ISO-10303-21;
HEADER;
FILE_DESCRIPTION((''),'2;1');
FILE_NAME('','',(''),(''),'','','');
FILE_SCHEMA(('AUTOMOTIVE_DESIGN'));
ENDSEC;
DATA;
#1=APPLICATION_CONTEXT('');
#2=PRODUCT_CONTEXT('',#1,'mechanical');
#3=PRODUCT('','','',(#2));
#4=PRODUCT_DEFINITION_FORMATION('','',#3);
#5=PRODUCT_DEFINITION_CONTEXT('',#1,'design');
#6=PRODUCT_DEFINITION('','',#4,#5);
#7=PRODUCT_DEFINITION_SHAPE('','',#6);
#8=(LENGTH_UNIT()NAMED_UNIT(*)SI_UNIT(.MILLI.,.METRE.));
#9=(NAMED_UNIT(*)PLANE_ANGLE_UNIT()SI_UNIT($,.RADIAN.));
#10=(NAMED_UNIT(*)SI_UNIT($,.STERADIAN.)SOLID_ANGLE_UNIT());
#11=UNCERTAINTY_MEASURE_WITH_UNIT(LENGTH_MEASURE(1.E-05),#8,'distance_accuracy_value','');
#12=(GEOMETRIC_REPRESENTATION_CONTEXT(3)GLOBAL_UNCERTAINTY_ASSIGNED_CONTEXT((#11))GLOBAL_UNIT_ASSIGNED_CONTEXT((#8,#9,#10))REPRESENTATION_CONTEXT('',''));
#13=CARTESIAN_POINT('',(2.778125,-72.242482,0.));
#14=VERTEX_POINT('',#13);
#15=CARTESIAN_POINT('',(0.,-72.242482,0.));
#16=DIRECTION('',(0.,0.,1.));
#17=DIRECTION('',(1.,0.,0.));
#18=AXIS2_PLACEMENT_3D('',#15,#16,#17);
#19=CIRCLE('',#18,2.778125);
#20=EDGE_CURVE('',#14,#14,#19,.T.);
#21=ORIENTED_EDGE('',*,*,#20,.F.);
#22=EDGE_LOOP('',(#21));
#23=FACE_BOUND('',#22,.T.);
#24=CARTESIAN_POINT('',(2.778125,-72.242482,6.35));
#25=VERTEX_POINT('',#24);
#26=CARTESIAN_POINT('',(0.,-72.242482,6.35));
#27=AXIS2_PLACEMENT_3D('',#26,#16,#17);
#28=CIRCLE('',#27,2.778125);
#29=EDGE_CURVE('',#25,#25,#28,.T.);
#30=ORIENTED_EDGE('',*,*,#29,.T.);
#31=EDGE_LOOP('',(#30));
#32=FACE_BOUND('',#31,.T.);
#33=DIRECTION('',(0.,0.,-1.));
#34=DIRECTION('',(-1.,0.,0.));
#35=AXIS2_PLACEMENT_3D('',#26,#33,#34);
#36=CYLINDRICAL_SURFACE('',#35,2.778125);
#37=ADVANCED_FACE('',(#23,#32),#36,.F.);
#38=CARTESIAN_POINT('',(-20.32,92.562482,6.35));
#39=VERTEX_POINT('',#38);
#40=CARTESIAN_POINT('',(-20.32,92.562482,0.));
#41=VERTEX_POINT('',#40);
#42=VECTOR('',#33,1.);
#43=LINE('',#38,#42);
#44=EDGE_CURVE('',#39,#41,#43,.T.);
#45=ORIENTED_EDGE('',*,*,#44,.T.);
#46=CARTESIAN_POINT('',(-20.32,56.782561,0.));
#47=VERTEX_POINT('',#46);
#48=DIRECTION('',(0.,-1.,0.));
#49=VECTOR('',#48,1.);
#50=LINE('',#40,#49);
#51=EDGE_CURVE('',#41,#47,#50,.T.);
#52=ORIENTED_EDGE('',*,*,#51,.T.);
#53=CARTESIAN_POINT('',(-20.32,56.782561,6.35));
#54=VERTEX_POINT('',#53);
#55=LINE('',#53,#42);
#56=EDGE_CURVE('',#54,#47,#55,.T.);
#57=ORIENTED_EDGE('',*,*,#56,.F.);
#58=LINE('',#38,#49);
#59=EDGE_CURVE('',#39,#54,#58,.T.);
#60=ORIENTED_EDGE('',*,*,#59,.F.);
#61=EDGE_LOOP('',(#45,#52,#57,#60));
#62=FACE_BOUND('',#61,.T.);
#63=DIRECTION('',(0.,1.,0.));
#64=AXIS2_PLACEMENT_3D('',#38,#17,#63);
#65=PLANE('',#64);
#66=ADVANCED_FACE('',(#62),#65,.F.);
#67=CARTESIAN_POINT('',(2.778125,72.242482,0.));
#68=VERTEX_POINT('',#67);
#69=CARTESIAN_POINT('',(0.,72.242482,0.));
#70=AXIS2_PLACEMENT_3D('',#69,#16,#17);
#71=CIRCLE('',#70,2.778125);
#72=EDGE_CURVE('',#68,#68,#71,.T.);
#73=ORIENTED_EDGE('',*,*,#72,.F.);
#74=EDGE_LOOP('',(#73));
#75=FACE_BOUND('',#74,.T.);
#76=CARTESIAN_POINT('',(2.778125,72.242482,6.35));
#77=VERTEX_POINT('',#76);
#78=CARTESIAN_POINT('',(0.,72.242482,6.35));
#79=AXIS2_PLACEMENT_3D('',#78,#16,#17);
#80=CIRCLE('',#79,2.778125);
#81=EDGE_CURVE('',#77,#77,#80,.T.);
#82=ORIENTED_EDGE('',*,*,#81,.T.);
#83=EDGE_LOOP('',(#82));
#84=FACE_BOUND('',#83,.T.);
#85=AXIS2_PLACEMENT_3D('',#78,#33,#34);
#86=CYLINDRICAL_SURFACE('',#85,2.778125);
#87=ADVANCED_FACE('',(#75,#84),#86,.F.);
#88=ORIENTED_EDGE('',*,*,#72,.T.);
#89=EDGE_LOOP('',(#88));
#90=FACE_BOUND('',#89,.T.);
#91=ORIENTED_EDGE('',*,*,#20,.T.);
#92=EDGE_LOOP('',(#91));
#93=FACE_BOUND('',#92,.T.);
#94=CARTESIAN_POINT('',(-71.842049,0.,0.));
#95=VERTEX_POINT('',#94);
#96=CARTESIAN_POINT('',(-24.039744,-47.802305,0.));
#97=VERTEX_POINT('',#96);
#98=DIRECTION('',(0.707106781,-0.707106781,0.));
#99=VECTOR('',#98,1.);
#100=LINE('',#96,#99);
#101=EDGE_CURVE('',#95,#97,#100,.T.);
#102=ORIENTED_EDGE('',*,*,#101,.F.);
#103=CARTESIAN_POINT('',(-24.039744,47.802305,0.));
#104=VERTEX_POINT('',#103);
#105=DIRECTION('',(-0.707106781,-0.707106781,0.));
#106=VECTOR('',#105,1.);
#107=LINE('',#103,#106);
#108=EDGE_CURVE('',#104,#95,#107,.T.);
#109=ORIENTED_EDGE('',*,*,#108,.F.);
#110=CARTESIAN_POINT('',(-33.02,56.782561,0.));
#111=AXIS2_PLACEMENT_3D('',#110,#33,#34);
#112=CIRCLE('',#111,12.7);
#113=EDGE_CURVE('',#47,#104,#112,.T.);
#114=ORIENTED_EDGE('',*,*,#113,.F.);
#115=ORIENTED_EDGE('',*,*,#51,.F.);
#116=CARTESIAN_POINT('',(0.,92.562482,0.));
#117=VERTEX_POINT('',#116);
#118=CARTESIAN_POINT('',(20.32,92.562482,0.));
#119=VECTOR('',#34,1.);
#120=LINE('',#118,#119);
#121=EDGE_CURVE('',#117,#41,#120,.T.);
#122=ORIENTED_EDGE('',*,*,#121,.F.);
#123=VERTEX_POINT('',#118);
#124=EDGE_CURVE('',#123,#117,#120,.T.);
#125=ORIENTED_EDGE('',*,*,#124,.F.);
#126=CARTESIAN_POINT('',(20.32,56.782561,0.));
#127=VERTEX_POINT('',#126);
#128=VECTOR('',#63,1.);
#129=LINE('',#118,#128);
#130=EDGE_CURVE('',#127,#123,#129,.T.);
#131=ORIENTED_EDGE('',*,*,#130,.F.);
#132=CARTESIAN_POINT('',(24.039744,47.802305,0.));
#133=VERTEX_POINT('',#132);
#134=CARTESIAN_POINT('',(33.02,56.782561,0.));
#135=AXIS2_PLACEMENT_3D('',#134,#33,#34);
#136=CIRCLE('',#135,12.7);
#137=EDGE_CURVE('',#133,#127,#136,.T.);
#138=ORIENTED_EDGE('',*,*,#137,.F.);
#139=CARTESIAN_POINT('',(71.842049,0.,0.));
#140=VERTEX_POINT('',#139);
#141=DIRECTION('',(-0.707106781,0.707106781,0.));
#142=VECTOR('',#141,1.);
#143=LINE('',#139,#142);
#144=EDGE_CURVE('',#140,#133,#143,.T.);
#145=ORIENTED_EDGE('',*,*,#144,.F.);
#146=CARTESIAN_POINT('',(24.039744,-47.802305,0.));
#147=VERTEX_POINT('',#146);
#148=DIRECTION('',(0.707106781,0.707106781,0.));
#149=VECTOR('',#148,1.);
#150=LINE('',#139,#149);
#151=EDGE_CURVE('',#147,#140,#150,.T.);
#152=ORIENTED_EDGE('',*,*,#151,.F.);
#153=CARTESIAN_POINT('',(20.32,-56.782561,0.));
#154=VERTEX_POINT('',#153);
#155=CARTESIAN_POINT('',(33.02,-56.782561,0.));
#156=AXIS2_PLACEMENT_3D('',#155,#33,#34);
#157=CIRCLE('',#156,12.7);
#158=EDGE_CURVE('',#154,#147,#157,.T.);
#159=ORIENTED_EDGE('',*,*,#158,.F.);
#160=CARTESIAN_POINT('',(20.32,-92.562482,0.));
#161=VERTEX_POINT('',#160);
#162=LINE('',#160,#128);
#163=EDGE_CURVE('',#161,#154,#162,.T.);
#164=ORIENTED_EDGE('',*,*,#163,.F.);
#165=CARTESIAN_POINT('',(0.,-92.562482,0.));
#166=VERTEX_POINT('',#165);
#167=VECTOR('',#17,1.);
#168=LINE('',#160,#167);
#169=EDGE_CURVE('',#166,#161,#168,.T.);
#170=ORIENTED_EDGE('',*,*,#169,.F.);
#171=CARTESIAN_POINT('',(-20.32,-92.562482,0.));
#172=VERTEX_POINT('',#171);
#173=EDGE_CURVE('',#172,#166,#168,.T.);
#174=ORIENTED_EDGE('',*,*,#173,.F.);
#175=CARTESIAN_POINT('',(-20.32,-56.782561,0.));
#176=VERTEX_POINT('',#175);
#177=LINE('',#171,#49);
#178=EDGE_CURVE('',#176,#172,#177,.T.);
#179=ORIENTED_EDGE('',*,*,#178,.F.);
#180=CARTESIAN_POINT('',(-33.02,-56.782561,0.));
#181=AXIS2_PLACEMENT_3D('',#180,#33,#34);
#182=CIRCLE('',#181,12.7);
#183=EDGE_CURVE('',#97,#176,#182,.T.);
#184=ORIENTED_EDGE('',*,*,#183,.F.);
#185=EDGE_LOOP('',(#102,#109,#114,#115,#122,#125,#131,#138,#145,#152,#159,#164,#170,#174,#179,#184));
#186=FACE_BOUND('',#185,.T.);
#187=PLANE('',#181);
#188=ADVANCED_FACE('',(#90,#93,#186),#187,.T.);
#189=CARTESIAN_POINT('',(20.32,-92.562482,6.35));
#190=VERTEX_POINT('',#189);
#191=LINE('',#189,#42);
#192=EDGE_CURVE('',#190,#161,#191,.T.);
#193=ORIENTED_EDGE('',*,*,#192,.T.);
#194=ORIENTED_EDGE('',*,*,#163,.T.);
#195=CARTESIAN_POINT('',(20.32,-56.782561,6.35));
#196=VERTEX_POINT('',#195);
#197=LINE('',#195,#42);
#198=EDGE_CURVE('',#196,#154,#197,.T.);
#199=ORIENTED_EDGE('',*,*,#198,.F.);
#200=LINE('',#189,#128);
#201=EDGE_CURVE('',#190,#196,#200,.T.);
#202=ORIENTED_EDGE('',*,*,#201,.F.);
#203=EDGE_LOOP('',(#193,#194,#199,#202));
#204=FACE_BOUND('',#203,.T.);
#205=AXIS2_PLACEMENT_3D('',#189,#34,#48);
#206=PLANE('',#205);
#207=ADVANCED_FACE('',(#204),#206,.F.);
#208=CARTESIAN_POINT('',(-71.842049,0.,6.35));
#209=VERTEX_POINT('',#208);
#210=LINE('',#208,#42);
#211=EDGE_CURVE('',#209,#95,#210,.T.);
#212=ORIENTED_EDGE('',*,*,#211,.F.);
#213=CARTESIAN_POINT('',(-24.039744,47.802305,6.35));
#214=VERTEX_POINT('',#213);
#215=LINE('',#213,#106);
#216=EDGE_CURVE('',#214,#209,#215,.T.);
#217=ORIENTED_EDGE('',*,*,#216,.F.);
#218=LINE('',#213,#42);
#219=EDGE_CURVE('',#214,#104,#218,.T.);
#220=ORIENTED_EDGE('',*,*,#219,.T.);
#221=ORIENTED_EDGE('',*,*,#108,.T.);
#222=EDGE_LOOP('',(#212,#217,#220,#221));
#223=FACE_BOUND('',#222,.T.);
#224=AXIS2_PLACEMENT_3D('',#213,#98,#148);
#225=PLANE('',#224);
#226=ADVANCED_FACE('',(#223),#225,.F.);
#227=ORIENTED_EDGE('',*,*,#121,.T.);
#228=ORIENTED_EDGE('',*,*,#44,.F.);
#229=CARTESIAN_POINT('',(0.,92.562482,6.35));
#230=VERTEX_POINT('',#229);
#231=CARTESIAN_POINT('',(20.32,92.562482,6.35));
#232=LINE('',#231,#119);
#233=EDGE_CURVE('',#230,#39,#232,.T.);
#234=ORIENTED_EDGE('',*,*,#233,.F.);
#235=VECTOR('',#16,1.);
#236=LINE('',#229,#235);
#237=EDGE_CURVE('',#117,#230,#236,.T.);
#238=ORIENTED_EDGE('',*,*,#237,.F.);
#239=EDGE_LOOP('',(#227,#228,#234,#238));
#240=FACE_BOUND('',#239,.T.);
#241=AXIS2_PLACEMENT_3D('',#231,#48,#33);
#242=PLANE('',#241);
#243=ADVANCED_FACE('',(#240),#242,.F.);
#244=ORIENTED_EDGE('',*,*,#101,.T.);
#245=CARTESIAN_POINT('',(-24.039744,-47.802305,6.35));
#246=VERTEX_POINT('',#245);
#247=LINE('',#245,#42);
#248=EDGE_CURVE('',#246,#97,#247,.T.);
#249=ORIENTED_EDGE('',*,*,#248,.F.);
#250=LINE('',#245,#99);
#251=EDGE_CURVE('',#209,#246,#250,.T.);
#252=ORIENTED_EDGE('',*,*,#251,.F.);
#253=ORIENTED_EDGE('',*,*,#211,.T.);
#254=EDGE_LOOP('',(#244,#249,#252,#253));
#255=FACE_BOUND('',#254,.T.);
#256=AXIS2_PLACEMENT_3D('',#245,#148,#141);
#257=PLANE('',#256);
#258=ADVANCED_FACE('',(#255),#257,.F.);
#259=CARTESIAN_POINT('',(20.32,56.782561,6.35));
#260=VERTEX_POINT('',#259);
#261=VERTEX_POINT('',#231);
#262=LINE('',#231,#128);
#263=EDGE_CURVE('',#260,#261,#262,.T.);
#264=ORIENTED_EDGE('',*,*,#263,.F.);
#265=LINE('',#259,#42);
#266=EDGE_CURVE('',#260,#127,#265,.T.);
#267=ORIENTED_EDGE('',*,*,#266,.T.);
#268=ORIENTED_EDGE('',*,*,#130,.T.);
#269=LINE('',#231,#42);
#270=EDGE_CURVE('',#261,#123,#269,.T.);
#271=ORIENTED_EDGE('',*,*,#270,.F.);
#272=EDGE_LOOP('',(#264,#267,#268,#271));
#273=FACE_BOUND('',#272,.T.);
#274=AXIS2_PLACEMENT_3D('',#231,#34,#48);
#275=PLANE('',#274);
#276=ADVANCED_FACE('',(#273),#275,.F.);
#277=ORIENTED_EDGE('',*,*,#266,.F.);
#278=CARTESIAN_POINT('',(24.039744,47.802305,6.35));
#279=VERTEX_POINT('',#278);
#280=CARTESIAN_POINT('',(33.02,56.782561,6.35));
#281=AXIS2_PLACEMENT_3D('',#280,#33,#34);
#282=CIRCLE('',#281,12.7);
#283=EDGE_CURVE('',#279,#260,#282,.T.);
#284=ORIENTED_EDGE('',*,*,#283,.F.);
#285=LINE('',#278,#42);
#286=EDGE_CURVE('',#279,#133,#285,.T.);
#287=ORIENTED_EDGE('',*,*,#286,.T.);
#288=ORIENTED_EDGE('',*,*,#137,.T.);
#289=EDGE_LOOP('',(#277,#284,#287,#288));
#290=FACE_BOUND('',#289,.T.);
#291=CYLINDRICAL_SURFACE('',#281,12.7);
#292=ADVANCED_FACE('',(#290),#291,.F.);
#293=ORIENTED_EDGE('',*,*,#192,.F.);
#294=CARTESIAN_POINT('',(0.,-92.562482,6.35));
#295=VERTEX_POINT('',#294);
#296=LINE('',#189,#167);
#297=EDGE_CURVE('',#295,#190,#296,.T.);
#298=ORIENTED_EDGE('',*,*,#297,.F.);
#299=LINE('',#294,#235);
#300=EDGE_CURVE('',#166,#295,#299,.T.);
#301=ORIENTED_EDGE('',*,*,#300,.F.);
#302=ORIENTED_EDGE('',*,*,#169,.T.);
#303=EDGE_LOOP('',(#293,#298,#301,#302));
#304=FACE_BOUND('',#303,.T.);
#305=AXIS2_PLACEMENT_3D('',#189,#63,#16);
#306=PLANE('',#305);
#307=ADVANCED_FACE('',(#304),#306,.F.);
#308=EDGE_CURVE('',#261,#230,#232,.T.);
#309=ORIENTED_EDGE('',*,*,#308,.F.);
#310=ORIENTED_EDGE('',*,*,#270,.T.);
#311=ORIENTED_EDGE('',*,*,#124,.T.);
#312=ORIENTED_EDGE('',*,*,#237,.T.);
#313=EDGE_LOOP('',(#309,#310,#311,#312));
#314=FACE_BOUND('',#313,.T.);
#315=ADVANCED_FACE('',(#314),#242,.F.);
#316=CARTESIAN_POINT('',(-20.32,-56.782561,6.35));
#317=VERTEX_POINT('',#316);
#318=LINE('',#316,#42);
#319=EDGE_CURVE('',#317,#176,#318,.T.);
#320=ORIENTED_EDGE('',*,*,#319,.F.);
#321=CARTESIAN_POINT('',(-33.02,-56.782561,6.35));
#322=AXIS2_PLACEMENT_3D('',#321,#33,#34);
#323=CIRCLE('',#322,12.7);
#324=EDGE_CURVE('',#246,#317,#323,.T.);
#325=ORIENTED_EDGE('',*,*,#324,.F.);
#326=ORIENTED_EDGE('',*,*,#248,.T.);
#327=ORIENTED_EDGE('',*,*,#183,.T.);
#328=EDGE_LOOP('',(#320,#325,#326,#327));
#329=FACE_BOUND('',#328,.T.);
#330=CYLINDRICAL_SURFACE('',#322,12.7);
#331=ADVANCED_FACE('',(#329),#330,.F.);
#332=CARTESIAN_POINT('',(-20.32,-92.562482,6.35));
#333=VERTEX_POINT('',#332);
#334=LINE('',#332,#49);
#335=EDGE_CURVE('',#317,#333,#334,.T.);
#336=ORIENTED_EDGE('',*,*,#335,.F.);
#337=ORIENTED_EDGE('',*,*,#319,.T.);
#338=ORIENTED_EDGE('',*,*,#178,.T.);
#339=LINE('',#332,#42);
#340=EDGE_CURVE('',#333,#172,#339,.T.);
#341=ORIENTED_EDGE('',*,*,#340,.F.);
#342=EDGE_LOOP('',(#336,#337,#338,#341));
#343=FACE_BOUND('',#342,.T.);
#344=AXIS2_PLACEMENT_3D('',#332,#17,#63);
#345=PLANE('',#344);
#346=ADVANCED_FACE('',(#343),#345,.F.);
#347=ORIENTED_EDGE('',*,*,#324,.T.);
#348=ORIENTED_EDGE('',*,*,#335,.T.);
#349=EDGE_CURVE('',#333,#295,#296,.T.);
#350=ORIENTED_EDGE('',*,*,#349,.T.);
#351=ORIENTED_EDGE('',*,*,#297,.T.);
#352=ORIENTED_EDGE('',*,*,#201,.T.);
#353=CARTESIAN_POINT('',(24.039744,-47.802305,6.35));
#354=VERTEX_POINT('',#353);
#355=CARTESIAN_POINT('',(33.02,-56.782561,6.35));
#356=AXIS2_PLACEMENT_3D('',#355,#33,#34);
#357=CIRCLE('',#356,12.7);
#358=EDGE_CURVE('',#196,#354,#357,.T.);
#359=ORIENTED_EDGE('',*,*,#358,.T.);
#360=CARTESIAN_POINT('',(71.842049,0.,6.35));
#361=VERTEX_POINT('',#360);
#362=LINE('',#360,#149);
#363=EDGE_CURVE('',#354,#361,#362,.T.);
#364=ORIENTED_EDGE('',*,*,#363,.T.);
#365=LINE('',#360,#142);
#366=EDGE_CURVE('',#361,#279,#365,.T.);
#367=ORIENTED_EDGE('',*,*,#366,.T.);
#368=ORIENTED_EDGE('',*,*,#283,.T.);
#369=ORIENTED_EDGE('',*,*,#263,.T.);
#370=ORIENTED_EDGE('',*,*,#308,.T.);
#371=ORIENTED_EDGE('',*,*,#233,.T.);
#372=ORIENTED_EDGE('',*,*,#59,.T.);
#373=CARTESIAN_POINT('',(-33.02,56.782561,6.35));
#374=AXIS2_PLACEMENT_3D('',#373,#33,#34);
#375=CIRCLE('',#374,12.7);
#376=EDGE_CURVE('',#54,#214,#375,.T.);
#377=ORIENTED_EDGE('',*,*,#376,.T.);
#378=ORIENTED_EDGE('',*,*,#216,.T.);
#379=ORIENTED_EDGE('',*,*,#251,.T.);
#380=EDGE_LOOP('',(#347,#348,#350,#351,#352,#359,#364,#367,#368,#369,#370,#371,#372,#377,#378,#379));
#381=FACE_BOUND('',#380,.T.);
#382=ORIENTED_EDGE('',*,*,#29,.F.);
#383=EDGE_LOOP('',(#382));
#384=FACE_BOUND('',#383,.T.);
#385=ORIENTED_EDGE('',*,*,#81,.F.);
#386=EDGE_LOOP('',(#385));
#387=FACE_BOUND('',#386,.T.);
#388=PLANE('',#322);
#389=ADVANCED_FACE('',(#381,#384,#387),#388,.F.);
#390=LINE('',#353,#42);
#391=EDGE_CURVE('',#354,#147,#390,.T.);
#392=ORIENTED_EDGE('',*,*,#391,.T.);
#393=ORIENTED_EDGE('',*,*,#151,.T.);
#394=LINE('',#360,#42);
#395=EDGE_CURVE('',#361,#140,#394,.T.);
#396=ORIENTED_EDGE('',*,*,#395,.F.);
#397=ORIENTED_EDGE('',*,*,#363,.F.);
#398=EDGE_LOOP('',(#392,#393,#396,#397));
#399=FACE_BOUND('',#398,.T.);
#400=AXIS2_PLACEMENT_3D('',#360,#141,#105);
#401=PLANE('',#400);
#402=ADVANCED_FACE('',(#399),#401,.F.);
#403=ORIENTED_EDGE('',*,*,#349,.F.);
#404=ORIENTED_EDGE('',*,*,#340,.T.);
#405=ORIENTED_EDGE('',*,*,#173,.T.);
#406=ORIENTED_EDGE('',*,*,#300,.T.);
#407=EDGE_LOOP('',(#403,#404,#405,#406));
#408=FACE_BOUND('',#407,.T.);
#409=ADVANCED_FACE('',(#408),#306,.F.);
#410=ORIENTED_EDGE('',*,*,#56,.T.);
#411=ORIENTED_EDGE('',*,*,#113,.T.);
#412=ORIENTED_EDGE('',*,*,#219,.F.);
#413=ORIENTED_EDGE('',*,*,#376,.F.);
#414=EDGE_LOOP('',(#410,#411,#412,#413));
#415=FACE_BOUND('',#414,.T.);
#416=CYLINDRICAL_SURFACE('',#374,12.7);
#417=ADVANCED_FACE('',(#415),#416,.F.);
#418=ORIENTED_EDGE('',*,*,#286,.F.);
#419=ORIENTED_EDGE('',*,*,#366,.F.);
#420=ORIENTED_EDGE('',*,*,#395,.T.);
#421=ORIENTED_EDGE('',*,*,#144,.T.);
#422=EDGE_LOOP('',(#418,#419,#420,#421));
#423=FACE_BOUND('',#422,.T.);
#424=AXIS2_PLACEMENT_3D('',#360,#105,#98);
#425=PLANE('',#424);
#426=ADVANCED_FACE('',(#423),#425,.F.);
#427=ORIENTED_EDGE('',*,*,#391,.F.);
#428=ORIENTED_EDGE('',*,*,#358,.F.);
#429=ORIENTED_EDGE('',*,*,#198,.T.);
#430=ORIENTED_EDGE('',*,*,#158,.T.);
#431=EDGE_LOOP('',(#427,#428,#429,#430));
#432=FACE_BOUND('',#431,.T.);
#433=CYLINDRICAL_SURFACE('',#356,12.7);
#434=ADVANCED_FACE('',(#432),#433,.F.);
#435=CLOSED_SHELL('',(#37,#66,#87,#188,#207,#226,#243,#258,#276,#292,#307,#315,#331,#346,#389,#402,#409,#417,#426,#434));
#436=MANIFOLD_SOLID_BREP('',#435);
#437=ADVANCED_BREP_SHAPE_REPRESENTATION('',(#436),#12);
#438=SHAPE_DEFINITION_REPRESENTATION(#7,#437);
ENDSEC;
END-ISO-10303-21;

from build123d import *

# Parameters (mm, degrees)
SKETCH1_R      = 2.778125
EXTRUDE1_DEPTH = 6.35


with BuildPart() as part:
    # Sketch1 → Extrude1 (new body)
    with BuildSketch(Plane.XY):
        with BuildLine():
            Line((71.842048969, 0), (24.039743879, 47.80230509))
            ThreePointArc((24.039743879, 47.80230509), (21.286729937, 51.92248162), (20.32, 56.782561211))
            Line((20.32, 56.782561211), (20.32, 92.56248162))
            Line((20.32, 92.56248162), (-20.32, 92.56248162))
            Line((-20.32, 92.56248162), (-20.32, 56.782561211))
            ThreePointArc((-20.32, 56.782561211), (-21.286729937, 51.92248162), (-24.039743879, 47.80230509))
            Line((-24.039743879, 47.80230509), (-71.842048969, 0))
            Line((-71.842048969, 0), (-24.039743879, -47.80230509))
            ThreePointArc((-24.039743879, -47.80230509), (-21.286729937, -51.92248162), (-20.32, -56.782561211))
            Line((-20.32, -56.782561211), (-20.32, -92.56248162))
            Line((-20.32, -92.56248162), (20.32, -92.56248162))
            Line((20.32, -92.56248162), (20.32, -56.782561211))
            ThreePointArc((20.32, -56.782561211), (21.286729937, -51.92248162), (24.039743879, -47.80230509))
            Line((24.039743879, -47.80230509), (71.842048969, 0))
        make_face()
        with Locations((0, 72.24248162)):
            Circle(SKETCH1_R, mode=Mode.SUBTRACT)
        with Locations((0, -72.24248162)):
            Circle(SKETCH1_R, mode=Mode.SUBTRACT)
    extrude(amount=EXTRUDE1_DEPTH)


solid = part.part
